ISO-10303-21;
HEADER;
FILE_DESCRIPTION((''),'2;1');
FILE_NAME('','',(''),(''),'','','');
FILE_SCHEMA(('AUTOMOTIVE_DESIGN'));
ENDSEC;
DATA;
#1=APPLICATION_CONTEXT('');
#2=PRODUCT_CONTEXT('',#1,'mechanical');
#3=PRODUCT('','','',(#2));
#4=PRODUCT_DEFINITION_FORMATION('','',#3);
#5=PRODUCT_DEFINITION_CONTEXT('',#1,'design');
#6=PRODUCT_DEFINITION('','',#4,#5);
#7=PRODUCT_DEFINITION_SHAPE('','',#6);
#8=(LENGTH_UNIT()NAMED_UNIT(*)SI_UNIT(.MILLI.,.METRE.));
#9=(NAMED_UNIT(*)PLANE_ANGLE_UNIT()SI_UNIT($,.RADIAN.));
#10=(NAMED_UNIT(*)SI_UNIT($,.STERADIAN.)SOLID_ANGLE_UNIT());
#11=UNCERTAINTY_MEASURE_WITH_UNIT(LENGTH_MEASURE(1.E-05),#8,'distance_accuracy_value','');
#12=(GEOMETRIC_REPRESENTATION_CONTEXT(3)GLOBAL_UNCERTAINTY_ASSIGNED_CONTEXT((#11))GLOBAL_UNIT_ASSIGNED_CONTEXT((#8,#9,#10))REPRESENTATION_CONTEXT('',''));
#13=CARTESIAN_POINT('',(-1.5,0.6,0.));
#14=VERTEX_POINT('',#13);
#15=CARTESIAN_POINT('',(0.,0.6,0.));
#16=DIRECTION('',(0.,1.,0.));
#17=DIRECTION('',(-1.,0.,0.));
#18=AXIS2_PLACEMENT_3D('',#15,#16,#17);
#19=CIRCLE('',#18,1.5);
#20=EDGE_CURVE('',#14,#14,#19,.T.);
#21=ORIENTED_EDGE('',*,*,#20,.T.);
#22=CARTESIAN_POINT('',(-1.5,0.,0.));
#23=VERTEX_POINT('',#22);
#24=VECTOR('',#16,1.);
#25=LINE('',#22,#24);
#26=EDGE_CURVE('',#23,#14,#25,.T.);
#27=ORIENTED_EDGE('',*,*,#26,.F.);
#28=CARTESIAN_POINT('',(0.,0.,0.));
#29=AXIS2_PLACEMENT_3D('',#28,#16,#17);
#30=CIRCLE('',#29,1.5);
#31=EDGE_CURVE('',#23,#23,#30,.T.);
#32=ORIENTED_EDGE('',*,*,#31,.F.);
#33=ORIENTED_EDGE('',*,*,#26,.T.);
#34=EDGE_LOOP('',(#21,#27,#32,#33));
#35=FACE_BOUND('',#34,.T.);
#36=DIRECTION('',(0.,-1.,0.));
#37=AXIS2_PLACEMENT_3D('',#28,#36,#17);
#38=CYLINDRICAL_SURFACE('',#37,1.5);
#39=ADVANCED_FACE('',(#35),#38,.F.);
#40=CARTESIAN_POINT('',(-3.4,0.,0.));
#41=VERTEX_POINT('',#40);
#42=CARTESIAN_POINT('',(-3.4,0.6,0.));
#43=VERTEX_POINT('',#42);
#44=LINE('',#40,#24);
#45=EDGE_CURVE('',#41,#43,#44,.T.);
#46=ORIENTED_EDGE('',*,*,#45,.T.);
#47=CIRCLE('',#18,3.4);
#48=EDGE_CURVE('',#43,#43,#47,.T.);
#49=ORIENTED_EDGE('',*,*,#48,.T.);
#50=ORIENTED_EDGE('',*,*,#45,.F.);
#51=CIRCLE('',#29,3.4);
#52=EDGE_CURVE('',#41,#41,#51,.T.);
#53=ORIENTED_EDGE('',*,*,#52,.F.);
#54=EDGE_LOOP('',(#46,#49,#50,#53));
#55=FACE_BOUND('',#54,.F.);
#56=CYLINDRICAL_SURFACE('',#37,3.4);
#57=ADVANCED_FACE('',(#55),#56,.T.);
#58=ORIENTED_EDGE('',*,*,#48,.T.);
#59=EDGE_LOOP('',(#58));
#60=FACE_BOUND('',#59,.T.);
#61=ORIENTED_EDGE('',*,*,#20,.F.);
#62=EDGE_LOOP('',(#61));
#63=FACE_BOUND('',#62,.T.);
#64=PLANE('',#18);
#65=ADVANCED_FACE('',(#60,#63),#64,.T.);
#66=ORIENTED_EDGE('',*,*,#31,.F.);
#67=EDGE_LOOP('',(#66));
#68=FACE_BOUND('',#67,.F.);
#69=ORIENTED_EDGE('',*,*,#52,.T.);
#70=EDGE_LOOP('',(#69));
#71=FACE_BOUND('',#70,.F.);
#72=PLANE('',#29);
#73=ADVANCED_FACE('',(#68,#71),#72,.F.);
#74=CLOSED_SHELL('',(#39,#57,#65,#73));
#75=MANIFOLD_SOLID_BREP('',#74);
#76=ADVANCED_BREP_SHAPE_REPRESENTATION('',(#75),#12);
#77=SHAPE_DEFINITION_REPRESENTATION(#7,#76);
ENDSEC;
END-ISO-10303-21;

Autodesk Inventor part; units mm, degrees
ref_plane "YZ Plane" through (0, 0, 0) normal (1, 0, 0) x (0, 1, 0)
ref_plane "XZ Plane" through (0, 0, 0) normal (0, 1, 0) x (-1, 0, 0)
ref_plane "XY Plane" through (0, 0, 0) normal (0, 0, 1) x (1, 0, 0)
sketch "Sketch1" plane through (0, 0, 0) normal (0, 1, 0) x (-1, 0, 0)
  circle A0 centre (0, 0) radius 1.5
  circle A1 centre (0, 0) radius 3.4
  dimension "d0" = 3
  dimension "d1" = 6.8
extrude "Extrusion1" add sketch "Sketch1" along normal blind 0.6
properties part number "washer3mm" material "Stainless Steel"
